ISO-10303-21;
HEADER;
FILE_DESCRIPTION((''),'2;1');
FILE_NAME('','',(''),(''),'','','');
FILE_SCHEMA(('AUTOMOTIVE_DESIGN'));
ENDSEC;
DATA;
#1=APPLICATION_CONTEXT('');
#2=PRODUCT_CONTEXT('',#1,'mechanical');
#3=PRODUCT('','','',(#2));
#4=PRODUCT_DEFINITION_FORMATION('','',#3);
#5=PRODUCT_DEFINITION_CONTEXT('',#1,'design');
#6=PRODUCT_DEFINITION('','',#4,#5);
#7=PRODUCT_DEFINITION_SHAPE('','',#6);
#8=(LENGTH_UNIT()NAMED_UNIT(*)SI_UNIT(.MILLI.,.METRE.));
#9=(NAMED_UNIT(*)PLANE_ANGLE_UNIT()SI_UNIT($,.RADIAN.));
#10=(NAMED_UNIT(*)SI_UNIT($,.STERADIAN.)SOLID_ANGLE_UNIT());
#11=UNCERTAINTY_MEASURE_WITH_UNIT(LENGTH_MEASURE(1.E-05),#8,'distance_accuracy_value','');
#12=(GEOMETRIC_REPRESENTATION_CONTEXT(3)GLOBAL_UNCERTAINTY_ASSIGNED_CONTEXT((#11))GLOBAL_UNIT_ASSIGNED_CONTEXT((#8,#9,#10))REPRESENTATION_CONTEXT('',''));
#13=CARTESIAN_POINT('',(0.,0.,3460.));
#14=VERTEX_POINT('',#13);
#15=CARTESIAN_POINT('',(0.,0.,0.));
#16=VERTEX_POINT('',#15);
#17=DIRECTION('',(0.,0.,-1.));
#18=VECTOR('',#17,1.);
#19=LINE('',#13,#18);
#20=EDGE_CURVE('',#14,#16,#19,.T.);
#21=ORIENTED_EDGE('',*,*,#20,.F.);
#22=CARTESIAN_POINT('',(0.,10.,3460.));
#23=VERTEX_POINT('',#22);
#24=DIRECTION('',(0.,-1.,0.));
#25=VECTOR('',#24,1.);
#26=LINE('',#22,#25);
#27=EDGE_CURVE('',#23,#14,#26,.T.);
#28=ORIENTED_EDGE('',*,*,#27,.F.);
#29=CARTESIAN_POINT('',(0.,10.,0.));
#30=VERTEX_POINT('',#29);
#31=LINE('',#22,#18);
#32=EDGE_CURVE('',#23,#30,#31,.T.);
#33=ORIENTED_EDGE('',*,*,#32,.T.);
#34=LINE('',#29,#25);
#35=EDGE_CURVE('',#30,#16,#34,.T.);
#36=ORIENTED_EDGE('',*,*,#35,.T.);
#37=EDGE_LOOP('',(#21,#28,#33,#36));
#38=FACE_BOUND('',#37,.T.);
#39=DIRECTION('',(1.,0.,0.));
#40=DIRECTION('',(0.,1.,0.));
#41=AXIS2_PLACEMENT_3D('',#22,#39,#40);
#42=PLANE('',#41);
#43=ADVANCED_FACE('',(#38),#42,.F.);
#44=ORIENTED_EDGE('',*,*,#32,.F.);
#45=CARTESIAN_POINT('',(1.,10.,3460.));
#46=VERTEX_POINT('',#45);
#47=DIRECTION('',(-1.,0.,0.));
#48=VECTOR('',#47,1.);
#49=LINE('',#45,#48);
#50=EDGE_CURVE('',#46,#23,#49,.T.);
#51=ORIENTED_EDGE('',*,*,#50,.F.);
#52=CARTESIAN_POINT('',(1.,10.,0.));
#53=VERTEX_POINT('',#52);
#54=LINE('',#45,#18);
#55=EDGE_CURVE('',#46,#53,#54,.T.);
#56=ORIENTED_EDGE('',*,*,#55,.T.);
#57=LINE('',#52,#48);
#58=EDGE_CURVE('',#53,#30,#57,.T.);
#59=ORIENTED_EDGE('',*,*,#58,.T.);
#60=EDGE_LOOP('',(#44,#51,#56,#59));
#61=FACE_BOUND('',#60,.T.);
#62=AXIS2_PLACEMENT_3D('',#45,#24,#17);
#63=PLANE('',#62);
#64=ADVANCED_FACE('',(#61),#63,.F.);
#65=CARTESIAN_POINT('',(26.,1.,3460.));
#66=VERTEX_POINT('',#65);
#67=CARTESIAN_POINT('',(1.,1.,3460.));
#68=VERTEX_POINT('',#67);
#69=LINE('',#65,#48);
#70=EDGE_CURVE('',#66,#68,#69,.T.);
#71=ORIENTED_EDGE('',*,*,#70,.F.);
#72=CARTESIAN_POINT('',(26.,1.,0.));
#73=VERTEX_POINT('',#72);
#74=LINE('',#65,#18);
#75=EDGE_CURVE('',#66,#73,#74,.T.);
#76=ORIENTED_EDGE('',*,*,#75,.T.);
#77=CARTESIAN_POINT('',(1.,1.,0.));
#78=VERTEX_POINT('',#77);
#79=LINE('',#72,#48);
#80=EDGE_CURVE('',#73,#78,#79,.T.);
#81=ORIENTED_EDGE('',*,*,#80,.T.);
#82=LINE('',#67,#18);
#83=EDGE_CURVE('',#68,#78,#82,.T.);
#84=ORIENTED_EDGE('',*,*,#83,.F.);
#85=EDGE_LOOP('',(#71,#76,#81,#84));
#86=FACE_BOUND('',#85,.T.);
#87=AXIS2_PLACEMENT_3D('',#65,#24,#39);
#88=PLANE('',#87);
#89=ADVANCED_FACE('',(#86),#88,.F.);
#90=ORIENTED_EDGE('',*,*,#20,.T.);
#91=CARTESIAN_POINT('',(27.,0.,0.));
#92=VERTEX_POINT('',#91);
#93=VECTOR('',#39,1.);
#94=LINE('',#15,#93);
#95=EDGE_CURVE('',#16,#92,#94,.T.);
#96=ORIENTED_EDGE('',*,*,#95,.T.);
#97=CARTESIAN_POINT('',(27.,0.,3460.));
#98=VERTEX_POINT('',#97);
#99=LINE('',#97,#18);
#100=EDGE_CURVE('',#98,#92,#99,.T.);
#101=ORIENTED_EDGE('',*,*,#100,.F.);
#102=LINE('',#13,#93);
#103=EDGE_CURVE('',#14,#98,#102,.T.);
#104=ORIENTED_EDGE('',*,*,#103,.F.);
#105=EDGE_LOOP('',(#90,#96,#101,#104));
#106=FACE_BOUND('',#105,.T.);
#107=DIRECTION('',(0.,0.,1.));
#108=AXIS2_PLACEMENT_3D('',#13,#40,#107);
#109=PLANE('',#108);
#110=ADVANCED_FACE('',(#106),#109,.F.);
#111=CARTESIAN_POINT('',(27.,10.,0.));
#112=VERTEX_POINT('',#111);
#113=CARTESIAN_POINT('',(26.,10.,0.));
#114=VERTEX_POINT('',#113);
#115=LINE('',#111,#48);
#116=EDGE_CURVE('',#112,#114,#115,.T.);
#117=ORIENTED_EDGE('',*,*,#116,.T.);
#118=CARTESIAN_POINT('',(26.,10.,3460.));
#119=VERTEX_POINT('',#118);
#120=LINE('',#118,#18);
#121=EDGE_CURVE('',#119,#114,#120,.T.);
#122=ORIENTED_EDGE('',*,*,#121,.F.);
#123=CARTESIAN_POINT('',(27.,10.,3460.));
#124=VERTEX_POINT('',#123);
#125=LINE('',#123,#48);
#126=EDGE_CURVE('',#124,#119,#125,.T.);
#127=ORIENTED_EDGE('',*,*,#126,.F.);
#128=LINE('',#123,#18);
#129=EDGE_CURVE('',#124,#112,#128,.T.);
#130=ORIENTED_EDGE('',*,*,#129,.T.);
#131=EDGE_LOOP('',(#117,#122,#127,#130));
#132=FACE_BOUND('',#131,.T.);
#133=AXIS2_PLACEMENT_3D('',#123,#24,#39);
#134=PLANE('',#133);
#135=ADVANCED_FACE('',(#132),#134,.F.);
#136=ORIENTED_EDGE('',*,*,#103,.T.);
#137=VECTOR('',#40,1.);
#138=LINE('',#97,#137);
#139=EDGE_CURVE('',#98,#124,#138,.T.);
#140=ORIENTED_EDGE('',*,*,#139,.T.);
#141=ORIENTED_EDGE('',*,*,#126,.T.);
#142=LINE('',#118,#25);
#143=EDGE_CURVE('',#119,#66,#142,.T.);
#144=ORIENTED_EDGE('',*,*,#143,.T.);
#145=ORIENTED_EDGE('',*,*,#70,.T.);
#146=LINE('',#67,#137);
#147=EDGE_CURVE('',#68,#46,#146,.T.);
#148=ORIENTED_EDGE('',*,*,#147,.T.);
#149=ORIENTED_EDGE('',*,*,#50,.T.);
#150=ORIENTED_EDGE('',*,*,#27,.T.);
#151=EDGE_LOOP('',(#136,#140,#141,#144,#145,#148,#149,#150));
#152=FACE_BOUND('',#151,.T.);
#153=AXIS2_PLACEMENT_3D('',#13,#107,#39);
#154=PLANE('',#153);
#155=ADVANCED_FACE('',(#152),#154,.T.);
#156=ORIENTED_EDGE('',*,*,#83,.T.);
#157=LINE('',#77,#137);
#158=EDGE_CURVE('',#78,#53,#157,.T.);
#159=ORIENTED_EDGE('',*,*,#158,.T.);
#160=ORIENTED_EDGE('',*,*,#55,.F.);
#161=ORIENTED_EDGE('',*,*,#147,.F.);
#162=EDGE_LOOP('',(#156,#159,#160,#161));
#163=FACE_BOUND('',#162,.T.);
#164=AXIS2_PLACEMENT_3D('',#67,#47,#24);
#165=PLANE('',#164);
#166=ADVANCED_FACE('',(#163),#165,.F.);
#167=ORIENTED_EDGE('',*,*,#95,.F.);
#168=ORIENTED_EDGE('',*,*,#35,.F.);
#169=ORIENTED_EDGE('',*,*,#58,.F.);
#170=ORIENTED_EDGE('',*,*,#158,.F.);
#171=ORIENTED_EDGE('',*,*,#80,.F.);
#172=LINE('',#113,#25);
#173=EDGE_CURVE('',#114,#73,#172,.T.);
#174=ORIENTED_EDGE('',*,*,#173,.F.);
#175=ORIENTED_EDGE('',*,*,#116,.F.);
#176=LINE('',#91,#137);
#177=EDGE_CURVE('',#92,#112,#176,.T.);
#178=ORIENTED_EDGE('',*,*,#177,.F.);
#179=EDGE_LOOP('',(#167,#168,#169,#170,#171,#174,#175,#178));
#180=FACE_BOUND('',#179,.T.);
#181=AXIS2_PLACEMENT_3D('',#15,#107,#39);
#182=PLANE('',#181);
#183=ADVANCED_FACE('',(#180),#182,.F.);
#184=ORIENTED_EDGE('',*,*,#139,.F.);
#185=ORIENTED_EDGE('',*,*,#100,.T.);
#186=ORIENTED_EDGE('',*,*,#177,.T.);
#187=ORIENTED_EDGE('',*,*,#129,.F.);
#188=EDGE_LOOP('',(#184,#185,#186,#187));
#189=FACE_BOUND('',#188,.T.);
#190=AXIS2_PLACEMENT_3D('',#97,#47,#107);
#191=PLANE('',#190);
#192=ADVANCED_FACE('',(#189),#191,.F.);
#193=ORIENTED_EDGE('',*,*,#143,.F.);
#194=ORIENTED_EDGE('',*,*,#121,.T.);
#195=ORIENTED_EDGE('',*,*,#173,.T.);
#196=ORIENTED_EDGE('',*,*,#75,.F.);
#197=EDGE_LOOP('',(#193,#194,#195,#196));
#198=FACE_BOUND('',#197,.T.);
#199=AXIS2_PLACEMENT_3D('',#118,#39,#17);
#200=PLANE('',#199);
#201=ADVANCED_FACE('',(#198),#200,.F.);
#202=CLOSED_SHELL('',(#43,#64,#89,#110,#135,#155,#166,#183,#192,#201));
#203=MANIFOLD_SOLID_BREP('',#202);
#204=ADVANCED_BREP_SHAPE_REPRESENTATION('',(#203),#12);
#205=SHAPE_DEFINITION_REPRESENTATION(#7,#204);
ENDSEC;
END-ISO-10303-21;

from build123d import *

# Parameters (mm, degrees)
EXTRUDE_1_DEPTH = 3460


with BuildPart() as part:
    # 草图1 → 凸台-拉伸1 (new body)
    with BuildSketch(Plane.XY):
        Polygon((0, 10), (0, 0), (27, 0), (27, 10), (26, 10), (26, 1), (1, 1), (1, 10), align=None)
    extrude(amount=EXTRUDE_1_DEPTH)


solid = part.part
